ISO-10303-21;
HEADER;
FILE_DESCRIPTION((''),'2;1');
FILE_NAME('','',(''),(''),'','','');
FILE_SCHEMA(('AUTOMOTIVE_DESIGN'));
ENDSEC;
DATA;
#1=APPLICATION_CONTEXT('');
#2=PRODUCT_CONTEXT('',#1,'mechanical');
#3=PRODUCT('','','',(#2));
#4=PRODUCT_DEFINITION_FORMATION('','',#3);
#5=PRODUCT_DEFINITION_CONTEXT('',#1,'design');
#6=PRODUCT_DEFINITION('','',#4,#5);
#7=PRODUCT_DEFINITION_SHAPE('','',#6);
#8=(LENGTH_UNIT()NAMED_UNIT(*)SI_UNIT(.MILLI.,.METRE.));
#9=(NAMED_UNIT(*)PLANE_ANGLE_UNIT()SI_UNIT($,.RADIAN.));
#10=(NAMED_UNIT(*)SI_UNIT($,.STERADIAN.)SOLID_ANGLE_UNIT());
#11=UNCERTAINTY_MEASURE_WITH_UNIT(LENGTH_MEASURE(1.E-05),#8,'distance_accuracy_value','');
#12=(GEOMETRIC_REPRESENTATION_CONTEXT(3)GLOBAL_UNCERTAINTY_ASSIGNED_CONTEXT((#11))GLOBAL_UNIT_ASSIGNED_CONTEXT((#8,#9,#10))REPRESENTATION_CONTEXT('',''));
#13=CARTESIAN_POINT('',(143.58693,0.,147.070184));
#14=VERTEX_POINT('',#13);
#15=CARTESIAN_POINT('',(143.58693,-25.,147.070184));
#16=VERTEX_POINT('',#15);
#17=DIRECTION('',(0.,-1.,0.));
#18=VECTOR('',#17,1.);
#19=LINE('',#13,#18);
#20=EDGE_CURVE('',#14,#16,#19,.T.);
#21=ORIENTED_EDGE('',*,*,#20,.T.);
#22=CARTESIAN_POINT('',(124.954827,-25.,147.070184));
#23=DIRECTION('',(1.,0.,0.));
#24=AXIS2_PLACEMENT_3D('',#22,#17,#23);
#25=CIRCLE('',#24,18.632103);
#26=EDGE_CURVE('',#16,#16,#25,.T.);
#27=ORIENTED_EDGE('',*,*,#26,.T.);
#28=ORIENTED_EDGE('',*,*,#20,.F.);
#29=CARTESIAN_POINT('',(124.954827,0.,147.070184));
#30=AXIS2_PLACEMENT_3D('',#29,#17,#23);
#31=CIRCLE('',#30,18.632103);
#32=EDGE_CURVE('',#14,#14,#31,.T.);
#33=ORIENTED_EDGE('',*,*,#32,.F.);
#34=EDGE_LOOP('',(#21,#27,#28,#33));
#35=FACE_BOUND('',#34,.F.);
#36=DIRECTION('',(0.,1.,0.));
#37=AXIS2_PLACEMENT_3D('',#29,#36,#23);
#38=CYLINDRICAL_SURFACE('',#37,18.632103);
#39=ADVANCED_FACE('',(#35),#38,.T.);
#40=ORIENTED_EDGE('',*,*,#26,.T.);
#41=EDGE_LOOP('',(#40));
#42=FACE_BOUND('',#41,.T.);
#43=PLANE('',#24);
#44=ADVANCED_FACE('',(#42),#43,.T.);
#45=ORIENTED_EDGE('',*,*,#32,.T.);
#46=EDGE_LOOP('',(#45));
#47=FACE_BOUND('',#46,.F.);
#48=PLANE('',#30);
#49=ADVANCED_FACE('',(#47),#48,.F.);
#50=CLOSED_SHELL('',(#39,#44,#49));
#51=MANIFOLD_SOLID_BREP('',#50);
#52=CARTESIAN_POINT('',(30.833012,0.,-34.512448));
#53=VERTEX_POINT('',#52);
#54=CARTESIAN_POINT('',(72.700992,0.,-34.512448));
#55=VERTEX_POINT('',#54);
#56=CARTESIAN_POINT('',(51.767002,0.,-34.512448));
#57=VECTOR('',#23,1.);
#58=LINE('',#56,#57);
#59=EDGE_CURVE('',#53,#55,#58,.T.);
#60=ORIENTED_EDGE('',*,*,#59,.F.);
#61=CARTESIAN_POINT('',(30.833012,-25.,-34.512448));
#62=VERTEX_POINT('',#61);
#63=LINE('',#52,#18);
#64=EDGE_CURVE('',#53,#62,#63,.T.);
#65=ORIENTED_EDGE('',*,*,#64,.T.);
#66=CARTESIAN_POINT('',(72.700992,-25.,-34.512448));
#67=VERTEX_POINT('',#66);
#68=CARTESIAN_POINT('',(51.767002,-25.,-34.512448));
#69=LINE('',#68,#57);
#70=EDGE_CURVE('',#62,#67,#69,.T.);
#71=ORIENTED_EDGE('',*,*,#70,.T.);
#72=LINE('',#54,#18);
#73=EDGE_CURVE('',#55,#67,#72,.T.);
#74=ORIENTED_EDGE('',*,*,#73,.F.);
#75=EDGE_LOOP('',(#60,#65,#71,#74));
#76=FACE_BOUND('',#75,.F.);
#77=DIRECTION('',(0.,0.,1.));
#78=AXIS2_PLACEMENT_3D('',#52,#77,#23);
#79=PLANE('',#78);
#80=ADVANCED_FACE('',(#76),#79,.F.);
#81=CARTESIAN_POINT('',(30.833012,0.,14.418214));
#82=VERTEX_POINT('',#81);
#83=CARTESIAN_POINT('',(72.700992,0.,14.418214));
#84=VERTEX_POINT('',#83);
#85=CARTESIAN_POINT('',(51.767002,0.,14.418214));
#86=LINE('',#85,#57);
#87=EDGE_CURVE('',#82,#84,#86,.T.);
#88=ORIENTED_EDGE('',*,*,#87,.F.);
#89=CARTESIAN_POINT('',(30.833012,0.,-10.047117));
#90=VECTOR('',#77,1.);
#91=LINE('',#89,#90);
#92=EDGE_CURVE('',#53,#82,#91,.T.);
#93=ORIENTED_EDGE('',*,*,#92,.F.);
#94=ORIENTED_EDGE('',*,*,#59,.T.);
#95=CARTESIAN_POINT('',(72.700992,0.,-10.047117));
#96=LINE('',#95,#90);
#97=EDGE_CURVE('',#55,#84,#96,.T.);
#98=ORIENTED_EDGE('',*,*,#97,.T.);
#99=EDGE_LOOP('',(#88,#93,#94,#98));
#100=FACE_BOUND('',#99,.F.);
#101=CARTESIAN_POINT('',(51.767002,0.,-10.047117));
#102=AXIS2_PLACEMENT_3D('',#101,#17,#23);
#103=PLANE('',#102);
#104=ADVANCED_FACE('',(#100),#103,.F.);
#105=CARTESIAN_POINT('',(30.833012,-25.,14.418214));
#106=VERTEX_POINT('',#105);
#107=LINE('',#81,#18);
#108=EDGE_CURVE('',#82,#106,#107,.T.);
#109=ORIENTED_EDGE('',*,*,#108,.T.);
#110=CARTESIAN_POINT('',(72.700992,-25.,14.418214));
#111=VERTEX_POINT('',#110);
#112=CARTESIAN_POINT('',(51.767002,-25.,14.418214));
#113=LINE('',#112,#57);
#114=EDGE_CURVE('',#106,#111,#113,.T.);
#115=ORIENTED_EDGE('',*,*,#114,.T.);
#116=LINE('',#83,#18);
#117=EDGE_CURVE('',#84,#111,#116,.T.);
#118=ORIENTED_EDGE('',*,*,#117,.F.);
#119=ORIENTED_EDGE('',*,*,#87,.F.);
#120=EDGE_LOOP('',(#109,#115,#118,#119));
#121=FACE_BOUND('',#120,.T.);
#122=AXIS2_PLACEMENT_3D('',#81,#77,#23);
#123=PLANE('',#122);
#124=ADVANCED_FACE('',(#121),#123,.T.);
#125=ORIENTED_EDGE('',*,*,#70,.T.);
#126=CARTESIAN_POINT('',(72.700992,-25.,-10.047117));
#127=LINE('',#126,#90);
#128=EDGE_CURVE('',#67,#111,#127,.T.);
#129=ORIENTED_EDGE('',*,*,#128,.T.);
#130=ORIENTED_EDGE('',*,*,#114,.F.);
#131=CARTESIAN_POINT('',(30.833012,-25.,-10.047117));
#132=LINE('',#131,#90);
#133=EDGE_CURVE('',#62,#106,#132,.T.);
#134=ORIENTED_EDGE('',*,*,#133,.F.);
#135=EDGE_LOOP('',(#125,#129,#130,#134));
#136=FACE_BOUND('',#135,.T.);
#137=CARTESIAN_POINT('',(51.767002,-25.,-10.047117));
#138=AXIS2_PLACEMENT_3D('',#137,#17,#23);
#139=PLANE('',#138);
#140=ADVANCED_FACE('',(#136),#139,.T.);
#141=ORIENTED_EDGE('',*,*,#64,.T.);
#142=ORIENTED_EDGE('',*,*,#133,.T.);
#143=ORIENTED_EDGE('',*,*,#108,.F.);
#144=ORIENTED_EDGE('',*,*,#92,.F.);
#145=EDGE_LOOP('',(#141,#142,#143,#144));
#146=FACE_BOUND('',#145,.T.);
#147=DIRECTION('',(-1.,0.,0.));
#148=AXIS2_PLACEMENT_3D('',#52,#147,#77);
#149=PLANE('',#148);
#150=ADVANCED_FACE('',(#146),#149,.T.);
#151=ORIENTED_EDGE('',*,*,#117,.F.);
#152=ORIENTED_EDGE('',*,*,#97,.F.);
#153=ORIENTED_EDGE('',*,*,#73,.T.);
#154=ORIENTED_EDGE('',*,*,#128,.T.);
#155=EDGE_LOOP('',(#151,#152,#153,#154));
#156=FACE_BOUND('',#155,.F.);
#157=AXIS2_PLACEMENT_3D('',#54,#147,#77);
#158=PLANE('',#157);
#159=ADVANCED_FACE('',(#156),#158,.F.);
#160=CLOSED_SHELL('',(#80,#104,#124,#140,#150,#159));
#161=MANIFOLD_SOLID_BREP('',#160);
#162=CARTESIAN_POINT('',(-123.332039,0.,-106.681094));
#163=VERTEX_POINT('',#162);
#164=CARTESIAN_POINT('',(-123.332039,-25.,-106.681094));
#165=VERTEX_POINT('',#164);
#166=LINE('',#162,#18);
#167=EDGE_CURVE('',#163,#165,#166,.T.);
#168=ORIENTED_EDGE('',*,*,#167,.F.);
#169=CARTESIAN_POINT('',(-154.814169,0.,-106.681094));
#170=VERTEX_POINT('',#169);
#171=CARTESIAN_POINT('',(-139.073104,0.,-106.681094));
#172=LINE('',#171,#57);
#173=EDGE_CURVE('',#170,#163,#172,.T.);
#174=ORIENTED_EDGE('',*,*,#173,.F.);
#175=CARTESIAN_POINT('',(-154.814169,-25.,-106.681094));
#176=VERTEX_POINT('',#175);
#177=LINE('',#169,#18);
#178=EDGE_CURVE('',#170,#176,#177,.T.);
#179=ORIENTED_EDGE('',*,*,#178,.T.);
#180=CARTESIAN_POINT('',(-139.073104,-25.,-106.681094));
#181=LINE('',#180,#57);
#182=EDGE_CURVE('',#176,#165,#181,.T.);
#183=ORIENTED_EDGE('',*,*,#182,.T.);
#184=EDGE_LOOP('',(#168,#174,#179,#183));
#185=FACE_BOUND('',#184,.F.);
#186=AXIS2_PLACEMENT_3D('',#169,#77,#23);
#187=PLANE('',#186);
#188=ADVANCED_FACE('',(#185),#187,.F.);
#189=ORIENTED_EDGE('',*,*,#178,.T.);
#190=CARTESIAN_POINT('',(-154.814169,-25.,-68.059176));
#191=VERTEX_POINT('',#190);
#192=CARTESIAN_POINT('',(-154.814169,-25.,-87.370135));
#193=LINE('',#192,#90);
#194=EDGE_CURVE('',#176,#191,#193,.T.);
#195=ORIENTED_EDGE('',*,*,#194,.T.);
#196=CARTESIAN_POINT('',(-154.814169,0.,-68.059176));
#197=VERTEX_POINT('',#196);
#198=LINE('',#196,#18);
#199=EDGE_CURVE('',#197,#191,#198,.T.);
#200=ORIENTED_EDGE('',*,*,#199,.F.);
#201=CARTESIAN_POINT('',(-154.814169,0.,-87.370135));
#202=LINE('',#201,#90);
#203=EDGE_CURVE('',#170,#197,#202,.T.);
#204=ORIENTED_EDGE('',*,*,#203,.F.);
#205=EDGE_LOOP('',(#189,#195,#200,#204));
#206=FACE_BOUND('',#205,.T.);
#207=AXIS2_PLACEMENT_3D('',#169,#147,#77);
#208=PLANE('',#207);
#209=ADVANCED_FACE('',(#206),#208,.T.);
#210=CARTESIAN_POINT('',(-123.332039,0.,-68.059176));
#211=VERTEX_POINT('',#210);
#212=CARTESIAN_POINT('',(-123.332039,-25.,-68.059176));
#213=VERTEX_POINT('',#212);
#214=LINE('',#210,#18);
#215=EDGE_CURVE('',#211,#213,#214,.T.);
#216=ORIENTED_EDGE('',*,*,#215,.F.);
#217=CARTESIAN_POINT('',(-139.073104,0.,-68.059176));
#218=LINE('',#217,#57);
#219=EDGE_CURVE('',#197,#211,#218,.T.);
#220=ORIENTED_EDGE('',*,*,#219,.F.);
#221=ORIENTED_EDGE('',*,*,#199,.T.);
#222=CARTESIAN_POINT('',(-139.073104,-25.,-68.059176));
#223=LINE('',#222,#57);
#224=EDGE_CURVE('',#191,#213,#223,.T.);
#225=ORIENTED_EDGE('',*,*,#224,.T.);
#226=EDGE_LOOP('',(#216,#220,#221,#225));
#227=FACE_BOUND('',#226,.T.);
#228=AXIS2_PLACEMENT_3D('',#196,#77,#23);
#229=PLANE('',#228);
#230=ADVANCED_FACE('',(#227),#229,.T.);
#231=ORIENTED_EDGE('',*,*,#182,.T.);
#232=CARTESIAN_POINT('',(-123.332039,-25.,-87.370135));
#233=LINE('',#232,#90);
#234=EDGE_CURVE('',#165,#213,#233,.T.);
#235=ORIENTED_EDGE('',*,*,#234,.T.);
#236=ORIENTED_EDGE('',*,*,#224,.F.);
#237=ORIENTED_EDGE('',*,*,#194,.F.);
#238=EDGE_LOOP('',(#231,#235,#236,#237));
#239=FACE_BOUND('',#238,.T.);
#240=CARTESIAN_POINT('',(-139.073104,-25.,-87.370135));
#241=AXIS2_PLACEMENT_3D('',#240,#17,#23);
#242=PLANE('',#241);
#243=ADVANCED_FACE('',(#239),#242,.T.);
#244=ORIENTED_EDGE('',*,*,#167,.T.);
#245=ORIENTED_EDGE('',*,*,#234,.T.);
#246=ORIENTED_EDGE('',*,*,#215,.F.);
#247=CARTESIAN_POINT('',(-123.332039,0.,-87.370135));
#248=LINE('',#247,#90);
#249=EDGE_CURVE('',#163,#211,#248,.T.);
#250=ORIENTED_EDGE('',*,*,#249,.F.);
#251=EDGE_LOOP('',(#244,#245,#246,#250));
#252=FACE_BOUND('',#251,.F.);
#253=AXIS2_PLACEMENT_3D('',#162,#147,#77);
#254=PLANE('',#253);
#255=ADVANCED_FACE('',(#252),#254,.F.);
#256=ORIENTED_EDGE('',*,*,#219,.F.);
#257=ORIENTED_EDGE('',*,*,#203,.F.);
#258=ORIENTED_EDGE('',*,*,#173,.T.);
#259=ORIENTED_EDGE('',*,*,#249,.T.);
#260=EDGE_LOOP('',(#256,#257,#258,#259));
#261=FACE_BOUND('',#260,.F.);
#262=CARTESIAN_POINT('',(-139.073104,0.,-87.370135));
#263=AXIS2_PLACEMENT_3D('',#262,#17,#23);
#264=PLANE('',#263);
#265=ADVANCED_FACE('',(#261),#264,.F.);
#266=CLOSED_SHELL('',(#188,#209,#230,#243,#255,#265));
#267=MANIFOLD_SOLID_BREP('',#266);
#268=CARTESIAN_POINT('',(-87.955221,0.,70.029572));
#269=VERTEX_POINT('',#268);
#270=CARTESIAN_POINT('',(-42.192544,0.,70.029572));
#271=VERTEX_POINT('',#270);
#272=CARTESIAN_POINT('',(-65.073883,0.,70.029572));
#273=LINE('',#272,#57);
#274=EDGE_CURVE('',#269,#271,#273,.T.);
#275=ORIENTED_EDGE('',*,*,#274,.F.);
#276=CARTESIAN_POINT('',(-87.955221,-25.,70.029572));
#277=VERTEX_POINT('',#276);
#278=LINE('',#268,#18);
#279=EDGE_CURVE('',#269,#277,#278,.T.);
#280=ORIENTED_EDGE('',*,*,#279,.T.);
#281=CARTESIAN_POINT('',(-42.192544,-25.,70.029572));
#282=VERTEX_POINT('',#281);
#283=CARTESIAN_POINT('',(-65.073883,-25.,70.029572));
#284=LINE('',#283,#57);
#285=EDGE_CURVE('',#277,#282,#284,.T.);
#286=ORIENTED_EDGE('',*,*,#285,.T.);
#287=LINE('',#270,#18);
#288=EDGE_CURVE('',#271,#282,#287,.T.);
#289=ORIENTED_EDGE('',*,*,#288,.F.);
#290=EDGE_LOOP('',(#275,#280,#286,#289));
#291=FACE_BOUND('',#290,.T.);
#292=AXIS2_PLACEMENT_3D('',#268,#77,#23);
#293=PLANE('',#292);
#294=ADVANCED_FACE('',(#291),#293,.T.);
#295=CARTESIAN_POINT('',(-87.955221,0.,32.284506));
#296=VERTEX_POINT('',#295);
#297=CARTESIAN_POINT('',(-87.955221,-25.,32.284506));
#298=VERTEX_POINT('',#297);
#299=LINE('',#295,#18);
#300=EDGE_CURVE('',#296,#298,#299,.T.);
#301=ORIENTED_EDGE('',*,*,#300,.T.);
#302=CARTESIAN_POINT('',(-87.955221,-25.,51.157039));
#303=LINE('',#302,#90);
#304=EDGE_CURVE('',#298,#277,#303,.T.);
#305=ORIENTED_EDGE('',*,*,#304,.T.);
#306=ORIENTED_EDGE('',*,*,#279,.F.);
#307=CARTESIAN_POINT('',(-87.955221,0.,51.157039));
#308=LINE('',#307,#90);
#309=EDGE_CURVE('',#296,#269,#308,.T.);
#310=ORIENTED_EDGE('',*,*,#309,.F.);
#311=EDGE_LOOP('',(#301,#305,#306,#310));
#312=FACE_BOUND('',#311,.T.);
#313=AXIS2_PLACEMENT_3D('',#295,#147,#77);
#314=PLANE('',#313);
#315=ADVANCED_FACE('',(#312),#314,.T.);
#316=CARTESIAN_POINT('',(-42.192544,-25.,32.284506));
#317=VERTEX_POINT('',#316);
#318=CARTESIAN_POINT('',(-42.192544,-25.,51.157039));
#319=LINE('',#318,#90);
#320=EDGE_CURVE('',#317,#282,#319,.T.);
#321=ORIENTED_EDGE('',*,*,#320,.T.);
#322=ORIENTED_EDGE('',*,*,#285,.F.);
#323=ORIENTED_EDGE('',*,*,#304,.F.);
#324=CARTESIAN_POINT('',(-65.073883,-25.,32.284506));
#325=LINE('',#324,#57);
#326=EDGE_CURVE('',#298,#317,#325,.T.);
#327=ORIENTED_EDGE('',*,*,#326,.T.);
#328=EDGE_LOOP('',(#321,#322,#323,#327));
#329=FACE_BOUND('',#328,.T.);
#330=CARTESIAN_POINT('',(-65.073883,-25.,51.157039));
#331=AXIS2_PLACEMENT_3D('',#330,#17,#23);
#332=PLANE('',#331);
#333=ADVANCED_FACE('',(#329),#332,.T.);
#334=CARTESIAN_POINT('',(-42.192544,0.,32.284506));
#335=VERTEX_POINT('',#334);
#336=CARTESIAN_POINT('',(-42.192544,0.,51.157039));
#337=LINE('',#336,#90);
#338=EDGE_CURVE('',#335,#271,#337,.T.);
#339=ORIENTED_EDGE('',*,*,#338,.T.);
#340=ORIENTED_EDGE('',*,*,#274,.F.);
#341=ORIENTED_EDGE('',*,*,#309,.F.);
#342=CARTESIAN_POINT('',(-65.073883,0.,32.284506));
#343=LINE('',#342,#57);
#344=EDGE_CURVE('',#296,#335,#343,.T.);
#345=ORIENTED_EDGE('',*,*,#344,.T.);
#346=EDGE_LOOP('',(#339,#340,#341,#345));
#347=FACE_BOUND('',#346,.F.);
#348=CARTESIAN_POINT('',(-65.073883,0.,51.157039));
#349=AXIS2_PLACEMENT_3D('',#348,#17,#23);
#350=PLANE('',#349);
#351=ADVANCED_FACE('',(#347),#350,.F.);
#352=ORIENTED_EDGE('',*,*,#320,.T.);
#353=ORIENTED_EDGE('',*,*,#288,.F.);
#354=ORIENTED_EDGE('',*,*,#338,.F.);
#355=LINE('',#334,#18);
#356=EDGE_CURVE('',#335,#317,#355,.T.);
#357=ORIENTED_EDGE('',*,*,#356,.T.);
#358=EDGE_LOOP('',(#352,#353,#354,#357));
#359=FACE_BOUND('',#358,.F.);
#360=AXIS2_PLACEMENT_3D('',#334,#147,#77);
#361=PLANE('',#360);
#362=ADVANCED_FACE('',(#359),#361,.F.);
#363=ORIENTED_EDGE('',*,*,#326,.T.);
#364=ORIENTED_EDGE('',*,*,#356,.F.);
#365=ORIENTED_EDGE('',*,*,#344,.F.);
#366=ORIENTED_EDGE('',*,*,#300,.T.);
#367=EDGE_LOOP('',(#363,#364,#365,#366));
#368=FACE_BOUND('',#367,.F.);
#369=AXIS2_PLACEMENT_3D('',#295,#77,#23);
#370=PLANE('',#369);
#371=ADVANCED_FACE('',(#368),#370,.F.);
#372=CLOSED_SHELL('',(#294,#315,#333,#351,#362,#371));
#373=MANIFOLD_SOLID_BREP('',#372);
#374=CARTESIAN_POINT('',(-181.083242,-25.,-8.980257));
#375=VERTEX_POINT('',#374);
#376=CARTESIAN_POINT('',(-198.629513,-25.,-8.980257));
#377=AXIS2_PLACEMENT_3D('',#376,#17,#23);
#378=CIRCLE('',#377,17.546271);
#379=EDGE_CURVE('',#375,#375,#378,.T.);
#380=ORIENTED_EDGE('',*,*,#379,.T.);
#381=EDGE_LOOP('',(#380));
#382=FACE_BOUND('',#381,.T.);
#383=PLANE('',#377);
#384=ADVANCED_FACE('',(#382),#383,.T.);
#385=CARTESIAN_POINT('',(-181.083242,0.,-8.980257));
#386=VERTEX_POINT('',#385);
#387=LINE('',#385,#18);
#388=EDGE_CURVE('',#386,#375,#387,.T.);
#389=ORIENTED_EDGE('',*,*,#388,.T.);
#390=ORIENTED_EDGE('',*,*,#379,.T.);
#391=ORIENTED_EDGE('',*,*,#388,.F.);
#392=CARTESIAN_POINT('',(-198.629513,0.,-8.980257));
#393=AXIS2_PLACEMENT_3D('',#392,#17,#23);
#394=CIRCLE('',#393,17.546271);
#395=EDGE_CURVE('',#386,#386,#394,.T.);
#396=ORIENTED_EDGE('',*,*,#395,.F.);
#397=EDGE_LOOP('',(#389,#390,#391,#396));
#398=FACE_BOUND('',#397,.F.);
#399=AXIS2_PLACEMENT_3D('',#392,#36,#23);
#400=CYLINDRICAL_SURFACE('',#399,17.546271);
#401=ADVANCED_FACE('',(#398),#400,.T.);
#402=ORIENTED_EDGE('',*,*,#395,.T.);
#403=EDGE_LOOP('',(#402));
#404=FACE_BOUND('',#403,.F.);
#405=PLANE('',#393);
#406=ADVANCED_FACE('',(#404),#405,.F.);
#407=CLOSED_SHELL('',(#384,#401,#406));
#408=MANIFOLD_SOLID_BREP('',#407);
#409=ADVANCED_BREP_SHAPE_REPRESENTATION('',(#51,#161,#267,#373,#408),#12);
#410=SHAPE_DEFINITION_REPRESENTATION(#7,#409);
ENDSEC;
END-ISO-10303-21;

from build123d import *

# Parameters (mm, degrees)
F0_W     = 45.762677
F0_H     = 37.745066
F0_W_2   = 41.867979
F0_H_2   = 48.930663
F0_W_3   = 31.48213
F0_H_3   = 38.621918
F0_R     = 18.632103
F0_R_2   = 17.546271
F1_DEPTH = 25


with BuildPart() as f1:
    # F0 (on Front) → F1 (new body)
    with BuildSketch(Plane.XZ):
        with Locations((-65.073883, 51.157039)):
            Rectangle(F0_W, F0_H)
        with Locations((51.767002, -10.047117)):
            Rectangle(F0_W_2, F0_H_2)
        with Locations((-139.073104, -87.370135)):
            Rectangle(F0_W_3, F0_H_3)
        with Locations((124.954827, 147.070184)):
            Circle(F0_R)
        with Locations((-198.629513, -8.980257)):
            Circle(F0_R_2)
    extrude(amount=F1_DEPTH)


solid = f1.part
